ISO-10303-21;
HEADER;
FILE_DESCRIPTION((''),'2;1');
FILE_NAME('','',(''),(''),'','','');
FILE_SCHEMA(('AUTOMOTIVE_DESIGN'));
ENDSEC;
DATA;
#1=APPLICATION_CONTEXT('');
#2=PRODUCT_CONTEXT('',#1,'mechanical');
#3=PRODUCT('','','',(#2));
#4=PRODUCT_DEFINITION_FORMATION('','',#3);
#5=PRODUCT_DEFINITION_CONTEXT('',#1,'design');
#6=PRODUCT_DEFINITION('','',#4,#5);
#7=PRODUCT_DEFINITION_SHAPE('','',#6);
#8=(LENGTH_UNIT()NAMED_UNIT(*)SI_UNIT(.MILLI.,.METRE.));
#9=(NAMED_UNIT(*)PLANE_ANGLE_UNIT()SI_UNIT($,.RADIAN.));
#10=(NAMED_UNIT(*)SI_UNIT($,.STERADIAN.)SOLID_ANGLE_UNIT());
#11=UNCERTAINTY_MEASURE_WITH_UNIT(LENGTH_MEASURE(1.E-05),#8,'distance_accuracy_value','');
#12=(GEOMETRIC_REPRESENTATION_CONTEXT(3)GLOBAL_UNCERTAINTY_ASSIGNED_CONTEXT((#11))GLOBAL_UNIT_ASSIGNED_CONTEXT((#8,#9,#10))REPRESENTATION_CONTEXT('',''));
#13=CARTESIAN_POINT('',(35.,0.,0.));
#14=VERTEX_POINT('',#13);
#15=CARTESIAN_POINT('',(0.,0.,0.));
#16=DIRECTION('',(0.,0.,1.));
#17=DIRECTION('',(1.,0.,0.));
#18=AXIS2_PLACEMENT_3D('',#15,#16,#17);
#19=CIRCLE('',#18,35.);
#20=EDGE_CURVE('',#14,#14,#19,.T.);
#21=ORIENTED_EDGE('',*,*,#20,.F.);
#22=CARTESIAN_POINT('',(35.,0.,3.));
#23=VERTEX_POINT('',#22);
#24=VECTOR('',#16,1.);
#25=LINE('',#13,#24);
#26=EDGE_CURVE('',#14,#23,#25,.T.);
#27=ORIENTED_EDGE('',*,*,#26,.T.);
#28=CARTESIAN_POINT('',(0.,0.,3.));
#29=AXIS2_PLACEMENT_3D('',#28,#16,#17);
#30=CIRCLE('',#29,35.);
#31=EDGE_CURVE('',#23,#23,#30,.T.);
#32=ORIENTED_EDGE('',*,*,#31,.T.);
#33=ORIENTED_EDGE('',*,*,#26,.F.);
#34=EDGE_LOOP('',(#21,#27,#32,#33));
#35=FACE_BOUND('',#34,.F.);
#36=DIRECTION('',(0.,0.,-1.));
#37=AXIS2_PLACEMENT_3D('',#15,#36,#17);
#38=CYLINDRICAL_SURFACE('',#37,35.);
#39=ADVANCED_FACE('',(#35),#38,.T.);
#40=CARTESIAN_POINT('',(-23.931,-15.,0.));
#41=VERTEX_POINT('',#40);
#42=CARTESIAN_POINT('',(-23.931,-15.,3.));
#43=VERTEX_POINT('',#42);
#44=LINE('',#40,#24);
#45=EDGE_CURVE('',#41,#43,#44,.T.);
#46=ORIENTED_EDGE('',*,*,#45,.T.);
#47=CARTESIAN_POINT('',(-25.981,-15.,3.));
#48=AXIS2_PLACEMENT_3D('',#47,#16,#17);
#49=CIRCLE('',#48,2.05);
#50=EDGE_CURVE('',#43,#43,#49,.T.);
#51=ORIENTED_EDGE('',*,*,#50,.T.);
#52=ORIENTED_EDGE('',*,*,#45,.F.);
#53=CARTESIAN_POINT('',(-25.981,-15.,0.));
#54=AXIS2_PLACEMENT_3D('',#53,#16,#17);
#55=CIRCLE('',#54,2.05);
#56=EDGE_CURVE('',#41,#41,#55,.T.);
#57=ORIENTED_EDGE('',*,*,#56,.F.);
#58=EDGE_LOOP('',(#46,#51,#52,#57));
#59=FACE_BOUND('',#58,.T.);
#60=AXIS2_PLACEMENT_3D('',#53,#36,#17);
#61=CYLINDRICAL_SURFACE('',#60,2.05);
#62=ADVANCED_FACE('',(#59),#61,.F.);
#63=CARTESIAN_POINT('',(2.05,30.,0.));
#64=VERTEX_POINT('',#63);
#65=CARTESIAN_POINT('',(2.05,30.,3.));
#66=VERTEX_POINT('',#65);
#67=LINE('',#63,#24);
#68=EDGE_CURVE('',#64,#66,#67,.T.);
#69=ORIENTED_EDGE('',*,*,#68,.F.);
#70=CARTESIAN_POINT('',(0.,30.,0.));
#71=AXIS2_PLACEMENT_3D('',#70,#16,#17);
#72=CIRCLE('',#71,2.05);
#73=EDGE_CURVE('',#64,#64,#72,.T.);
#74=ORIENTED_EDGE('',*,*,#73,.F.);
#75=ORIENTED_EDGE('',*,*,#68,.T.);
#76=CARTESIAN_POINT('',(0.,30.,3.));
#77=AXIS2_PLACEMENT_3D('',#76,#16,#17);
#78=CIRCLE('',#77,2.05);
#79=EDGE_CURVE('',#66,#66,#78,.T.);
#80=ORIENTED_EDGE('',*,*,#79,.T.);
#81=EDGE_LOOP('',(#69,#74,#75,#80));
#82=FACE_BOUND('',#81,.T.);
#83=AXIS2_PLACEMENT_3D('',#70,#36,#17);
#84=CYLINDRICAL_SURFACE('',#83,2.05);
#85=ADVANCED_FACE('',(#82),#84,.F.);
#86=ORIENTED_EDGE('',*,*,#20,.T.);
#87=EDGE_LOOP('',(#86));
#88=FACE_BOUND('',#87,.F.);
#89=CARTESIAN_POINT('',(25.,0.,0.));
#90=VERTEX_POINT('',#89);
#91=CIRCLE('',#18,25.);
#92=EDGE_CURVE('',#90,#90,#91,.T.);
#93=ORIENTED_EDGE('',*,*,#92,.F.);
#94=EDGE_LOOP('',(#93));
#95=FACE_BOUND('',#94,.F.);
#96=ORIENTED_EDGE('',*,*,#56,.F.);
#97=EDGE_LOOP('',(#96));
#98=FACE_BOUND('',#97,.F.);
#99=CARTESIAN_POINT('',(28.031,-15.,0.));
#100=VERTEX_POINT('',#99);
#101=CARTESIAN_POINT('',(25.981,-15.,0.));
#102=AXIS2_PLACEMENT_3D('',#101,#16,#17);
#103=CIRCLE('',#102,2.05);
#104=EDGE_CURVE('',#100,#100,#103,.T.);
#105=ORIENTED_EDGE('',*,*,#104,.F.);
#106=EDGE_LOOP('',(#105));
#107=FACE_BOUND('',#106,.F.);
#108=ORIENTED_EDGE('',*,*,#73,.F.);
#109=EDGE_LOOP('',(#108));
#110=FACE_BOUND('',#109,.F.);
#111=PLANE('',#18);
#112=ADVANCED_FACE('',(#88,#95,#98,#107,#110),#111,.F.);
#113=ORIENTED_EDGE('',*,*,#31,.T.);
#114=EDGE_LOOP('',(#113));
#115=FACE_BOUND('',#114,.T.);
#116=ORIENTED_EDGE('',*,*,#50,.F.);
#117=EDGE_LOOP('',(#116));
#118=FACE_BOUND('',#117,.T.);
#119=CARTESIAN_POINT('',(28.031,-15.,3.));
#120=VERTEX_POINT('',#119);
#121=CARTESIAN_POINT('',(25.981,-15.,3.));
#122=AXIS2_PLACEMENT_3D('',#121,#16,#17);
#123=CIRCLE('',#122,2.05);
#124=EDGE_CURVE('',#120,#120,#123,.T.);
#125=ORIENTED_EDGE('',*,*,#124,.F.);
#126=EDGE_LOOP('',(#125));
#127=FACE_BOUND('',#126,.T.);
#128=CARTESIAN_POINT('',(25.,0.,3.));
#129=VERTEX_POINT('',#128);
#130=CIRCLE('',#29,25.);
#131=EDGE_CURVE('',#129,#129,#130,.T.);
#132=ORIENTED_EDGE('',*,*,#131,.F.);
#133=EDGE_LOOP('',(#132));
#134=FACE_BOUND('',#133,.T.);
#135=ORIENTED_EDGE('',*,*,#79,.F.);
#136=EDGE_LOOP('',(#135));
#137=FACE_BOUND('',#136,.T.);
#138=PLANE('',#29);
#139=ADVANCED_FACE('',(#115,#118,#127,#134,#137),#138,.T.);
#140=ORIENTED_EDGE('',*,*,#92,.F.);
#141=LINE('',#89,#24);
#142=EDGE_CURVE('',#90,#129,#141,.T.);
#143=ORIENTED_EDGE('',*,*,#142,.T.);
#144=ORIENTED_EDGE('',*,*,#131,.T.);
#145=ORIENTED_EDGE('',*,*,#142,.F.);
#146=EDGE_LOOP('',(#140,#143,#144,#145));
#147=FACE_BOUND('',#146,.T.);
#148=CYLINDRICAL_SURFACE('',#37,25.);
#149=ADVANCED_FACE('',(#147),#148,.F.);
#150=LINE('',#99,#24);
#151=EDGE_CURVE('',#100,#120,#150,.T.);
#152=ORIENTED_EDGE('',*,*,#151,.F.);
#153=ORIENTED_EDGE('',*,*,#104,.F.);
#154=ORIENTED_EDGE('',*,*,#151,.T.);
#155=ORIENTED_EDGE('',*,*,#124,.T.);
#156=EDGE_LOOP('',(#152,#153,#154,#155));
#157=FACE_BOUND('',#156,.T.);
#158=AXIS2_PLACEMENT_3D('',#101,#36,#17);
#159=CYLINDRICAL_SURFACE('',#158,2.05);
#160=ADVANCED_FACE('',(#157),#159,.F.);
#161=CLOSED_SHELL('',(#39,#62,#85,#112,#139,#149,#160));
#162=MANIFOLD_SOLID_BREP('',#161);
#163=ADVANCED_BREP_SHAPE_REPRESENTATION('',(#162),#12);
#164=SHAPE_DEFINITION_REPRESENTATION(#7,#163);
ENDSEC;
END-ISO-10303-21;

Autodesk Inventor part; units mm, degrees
ref_plane "YZ Plane" through (0, 0, 0) normal (1, 0, 0) x (0, 1, 0)
ref_plane "XZ Plane" through (0, 0, 0) normal (0, 1, 0) x (-1, 0, 0)
ref_plane "XY Plane" through (0, 0, 0) normal (0, 0, 1) x (1, 0, 0)
sketch "Sketch1" plane through (0, 0, 0) normal (0, 0, 1) x (1, 0, 0)
  circle A0 centre (0, 0) radius 25
  circle A1 centre (0, 0) radius 35
  circle A2 centre (0, 30) radius 2.05
  circle A3 centre (-25.981, -15) radius 2.05
  circle A4 centre (25.981, -15) radius 2.05
  dimension "d0" = 50
  dimension "d1" = 70
  dimension "d2" = 4.1
  dimension "d3" = 30
  dimension "d4" = 4.1
  dimension "d5" = 4.1
  dimension "d6" = 15
  dimension "d7" = 25.981
  dimension "d8" = 25.981
extrude "Extrusion1" add sketch "Sketch1" along normal blind 3
equation "\"d8\" = d7"
properties part number "Griff_Ring"
